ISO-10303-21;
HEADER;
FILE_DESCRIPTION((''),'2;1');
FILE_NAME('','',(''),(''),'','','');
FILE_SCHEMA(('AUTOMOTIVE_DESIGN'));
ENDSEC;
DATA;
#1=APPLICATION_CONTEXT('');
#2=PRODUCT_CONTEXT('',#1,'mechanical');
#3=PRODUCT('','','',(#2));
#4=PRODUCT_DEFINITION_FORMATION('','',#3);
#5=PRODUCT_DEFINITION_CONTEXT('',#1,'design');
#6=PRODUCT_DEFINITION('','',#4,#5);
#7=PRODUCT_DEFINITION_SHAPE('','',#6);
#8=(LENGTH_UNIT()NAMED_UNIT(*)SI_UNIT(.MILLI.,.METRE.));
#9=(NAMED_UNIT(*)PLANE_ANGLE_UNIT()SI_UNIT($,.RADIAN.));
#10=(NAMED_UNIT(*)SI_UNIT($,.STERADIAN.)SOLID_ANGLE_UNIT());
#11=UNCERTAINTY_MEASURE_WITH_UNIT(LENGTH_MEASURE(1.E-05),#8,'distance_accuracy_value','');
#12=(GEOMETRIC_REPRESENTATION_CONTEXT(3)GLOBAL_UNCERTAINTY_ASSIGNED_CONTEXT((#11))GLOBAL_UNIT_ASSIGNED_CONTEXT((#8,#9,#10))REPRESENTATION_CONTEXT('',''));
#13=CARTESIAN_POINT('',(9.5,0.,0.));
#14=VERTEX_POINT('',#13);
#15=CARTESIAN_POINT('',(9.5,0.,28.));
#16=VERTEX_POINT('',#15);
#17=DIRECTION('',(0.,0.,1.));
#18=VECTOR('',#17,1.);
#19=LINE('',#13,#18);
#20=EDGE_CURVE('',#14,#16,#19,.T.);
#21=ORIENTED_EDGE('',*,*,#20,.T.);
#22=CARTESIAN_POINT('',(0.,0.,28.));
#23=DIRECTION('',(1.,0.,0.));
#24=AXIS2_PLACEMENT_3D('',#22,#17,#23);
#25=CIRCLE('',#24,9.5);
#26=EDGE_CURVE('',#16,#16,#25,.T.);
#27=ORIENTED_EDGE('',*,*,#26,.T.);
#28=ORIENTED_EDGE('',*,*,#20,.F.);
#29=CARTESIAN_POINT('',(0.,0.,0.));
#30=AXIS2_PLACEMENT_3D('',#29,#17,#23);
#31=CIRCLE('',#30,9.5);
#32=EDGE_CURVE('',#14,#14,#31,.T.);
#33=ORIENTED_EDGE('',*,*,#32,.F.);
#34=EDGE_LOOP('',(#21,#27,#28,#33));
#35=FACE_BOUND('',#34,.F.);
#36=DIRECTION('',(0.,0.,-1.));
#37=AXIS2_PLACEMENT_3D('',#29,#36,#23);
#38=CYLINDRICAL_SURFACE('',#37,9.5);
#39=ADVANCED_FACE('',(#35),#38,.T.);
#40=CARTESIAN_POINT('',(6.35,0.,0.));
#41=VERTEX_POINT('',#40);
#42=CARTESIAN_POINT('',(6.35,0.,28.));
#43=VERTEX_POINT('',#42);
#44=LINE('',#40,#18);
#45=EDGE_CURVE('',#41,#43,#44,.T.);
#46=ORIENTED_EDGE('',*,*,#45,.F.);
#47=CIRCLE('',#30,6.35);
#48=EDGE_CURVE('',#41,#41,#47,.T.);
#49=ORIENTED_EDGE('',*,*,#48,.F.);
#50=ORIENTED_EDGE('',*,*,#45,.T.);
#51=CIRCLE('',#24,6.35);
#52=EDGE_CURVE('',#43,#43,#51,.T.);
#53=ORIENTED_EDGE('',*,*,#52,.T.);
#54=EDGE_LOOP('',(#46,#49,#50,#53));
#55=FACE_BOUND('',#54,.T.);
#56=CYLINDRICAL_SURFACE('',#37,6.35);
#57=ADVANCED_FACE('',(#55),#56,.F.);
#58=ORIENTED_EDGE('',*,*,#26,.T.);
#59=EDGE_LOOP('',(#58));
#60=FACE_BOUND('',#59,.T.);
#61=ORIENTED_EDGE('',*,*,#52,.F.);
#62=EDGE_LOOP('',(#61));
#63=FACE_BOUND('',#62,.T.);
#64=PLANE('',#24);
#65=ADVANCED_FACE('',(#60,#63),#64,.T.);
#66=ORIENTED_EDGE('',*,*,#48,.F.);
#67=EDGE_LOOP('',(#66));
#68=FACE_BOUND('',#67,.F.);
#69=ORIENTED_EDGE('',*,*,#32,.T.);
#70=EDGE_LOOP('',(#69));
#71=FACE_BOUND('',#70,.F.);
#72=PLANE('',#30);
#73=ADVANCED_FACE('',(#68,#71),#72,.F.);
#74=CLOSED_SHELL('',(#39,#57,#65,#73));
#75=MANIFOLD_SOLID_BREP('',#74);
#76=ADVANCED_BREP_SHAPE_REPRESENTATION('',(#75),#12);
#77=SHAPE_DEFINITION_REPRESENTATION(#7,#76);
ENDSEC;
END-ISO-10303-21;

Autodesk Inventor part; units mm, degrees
ref_plane "YZ Plane" through (0, 0, 0) normal (1, 0, 0) x (0, 1, 0)
ref_plane "XZ Plane" through (0, 0, 0) normal (0, 1, 0) x (-1, 0, 0)
ref_plane "XY Plane" through (0, 0, 0) normal (0, 0, 1) x (1, 0, 0)
sketch "Sketch1" plane through (0, 0, 0) normal (0, 0, 1) x (1, 0, 0)
  circle A0 centre (0, 0) radius 6.35
  circle A1 centre (0, 0) radius 9.5
  dimension "d0" = 12.7
  dimension "d1" = 19
extrude "Extrusion1" add sketch "Sketch1" along normal blind 28
properties part number "Buje para Guía" material "Acetal Resin, White"
